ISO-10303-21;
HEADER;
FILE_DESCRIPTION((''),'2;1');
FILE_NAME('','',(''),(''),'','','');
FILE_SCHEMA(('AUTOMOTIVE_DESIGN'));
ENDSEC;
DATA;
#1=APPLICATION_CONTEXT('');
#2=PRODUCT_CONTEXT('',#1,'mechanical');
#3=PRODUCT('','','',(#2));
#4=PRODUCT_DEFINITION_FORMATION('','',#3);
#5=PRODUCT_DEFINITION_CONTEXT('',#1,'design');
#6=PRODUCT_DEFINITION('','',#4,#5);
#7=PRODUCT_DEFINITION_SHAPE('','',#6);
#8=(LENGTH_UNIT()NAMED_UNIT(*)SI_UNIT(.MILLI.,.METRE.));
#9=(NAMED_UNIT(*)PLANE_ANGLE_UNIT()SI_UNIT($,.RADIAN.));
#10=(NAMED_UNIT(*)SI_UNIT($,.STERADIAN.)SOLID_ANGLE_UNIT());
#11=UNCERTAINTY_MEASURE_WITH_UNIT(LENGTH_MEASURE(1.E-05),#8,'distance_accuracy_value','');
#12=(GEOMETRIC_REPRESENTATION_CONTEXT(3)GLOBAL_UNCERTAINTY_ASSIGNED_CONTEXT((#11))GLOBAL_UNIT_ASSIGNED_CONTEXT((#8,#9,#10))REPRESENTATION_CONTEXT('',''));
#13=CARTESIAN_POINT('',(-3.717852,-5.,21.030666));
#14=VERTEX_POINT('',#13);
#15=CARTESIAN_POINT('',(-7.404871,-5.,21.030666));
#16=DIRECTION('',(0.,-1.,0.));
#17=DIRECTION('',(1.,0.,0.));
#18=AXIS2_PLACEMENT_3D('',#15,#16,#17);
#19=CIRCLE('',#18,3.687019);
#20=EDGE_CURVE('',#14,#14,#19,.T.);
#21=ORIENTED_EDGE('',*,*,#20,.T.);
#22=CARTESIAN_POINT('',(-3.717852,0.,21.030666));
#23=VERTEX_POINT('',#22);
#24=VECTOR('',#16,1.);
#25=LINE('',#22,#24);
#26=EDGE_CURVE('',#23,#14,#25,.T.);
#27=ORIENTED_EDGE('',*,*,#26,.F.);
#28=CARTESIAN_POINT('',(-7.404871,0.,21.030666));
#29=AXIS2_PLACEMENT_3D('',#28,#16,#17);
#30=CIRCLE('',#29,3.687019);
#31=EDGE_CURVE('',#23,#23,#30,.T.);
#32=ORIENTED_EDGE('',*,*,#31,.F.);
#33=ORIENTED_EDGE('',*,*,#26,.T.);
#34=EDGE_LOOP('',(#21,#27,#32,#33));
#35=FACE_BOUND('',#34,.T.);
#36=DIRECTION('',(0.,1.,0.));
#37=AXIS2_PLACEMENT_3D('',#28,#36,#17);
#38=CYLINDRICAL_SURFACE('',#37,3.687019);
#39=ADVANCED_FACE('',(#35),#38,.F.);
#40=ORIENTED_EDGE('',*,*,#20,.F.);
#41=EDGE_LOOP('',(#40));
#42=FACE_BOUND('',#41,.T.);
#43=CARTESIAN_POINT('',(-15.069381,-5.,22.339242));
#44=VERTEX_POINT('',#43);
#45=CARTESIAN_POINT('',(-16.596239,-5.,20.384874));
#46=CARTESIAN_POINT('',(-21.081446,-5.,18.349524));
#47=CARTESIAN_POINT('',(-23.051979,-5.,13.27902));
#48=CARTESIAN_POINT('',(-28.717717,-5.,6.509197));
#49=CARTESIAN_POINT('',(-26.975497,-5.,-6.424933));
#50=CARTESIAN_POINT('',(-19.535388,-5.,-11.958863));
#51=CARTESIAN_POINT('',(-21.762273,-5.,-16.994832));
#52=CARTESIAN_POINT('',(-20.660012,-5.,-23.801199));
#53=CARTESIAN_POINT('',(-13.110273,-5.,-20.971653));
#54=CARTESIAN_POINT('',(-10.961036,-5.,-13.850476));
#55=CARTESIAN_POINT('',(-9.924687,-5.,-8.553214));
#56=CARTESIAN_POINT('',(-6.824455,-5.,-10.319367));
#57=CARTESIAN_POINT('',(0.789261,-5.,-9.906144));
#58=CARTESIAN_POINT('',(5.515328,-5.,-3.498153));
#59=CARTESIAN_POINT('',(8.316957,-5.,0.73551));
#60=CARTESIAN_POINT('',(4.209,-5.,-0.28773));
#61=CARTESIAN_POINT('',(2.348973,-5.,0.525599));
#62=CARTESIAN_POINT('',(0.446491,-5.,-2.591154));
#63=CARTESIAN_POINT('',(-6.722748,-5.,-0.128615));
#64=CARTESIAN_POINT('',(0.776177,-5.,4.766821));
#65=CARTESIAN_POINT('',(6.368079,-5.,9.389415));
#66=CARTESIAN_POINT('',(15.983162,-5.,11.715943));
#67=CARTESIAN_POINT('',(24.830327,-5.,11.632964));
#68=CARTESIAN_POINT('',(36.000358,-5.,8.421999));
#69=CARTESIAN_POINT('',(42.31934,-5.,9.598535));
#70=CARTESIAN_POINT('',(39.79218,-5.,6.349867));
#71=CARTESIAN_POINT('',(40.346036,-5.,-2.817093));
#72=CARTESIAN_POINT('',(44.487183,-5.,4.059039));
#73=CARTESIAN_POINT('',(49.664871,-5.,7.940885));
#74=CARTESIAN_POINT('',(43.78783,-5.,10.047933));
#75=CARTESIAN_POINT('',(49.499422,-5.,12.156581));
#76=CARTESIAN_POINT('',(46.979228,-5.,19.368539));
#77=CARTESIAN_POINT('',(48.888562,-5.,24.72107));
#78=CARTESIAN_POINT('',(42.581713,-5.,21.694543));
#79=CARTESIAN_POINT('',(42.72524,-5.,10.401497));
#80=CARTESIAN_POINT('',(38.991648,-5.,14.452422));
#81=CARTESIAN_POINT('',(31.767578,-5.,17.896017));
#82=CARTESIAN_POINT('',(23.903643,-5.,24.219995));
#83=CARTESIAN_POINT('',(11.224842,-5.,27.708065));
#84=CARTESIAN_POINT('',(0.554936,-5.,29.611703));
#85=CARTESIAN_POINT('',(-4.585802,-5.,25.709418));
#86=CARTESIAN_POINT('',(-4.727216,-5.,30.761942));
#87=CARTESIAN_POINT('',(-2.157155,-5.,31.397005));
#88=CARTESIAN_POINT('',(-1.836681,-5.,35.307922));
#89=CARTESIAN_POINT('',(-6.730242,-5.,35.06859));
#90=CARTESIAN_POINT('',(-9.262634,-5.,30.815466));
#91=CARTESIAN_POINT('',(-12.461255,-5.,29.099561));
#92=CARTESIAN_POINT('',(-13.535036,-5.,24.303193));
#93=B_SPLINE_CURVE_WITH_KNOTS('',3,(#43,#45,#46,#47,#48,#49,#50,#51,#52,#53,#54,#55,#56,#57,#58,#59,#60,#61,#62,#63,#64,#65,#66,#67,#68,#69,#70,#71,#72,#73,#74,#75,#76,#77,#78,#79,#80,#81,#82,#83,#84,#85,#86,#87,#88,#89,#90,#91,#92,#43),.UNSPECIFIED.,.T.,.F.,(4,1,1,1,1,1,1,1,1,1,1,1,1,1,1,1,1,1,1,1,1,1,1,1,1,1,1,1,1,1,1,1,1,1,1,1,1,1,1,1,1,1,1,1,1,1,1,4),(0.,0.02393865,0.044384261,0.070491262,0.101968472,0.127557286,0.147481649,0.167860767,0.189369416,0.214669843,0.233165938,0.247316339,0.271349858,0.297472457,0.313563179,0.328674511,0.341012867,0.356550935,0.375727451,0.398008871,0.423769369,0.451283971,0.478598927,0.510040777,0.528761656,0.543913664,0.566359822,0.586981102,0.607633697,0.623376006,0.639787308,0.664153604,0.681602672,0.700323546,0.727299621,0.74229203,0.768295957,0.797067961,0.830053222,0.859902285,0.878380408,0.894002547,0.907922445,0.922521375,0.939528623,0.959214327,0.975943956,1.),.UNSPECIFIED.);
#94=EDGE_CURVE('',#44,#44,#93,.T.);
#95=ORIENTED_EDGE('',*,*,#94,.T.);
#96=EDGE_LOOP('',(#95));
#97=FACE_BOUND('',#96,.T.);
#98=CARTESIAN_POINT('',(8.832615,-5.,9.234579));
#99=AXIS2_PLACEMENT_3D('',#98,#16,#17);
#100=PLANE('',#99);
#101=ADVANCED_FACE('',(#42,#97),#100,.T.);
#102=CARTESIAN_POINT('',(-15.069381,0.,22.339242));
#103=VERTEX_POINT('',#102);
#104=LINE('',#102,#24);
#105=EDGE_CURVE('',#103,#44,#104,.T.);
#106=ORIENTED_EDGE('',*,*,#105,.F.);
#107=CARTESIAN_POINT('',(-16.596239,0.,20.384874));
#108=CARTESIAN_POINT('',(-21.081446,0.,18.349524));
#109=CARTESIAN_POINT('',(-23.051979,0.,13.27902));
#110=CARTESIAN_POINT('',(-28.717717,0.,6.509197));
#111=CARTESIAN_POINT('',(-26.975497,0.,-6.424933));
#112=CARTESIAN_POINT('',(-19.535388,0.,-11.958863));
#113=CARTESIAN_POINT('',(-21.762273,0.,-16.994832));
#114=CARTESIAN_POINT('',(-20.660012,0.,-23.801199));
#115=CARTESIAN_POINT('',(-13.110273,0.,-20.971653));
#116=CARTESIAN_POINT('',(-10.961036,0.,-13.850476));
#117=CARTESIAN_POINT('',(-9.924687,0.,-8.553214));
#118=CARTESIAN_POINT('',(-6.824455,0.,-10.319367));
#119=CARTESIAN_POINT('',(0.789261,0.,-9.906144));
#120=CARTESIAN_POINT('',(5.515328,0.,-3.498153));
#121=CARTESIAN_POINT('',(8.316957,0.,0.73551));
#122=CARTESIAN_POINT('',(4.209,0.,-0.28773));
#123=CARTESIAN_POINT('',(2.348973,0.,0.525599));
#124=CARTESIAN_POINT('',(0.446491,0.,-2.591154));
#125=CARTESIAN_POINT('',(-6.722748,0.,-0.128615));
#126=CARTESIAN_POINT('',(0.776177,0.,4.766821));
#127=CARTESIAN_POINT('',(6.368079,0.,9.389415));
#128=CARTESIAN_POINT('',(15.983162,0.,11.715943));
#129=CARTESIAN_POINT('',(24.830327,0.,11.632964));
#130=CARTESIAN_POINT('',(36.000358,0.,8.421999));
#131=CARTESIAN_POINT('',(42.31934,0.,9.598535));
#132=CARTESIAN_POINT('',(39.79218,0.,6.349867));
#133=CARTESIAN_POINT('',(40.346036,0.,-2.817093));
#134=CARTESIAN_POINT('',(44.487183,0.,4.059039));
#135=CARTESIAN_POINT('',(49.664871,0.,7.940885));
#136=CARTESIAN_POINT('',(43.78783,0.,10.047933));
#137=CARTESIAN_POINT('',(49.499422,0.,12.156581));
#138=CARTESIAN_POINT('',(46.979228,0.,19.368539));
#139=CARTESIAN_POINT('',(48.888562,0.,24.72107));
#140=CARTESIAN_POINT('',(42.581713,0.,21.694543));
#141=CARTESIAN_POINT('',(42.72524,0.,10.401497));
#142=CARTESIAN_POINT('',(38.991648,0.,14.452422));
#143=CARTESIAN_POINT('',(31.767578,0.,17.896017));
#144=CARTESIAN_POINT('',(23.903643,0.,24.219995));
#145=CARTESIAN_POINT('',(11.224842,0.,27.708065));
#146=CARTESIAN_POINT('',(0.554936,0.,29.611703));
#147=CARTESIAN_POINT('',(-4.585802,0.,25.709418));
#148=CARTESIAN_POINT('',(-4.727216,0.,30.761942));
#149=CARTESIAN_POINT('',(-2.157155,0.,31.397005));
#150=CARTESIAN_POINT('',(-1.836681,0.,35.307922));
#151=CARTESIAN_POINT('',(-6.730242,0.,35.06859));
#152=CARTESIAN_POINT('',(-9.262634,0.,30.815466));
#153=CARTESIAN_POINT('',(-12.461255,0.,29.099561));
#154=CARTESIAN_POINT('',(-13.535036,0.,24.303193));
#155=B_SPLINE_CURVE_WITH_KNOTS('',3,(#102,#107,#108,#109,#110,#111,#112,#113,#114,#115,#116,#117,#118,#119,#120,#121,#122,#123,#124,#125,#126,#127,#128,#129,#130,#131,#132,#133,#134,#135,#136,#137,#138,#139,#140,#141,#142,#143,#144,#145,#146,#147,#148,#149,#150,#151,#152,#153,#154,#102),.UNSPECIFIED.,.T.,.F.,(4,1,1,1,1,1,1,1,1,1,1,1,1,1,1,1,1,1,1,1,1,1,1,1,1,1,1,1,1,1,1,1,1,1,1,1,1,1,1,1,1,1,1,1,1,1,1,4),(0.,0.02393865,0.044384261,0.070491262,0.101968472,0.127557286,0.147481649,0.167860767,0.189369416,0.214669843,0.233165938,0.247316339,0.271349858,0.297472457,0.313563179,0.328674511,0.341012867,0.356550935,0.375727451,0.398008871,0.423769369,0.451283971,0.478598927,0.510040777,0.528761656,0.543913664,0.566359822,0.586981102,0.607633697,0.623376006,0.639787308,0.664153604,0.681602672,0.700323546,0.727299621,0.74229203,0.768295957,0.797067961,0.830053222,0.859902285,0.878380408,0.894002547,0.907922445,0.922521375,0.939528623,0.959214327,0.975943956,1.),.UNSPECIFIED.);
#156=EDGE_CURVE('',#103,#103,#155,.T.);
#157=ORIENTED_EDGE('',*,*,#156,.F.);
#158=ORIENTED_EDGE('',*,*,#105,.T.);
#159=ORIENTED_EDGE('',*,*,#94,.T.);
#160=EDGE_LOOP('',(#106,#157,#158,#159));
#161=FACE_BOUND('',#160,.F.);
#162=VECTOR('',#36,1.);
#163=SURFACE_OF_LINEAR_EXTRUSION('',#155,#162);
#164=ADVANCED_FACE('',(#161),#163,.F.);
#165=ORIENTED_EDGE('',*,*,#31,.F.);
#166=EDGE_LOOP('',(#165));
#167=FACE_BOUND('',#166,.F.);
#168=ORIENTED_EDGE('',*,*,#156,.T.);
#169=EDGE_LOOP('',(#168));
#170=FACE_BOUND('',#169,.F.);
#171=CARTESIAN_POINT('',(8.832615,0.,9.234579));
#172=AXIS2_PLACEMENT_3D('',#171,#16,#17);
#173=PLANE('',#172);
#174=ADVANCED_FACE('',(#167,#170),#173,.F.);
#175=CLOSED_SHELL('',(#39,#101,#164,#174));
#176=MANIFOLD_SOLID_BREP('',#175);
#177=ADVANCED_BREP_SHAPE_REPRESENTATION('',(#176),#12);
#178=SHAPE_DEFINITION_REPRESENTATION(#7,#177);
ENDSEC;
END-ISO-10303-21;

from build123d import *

# Parameters (mm, degrees)
F0_R     = 3.6870189619
F1_DEPTH = 5


with BuildPart() as f1:
    # F0 (on Front) → F1 (new body)
    with BuildSketch(Plane.XZ):
        with BuildLine():
            add(Edge.make_bspline(
                [(-15.0693813339, 22.3392415792), (-16.5962387075, 20.3848743041), (-21.0814458697, 18.349524102), (-23.0519791671, 13.2790204276), (-28.7177170165, 6.5091967112), (-26.9754966678, -6.424932774), (-19.5353881537, -11.9588634148), (-21.7622730405, -16.9948323877), (-20.6600118311, -23.8011993115), (-13.1102726454, -20.9716531466), (-10.9610358932, -13.8504758978), (-9.9246868861, -8.5532142754), (-6.8244547605, -10.3193673307), (0.7892614946, -9.906143987), (5.5153277782, -3.4981534401), (8.3169574073, 0.7355100784), (4.2090001023, -0.2877298744), (2.3489734506, 0.5255993095), (0.4464906118, -2.5911537172), (-6.7227477239, -0.1286148744), (0.7761773244, 4.7668210482), (6.3680794795, 9.3894148286), (15.9831620751, 11.7159430456), (24.8303274083, 11.6329638793), (36.0003575184, 8.421998596), (42.3193403353, 9.5985350565), (39.7921797656, 6.3498674915), (40.346035885, -2.8170925402), (44.4871834772, 4.0590394775), (49.6648709097, 7.9408852724), (43.7878298009, 10.0479332897), (49.4994222793, 12.1565808144), (46.9792278746, 19.3685386297), (48.8885615925, 24.7210696334), (42.5817129092, 21.6945428095), (42.7252398345, 10.4014970492), (38.9916480911, 14.4524218258), (31.7675779566, 17.8960172214), (23.9036427752, 24.2199950243), (11.2248417349, 27.7080649961), (0.5549357478, 29.6117030585), (-4.5858024738, 25.7094181838), (-4.7272158249, 30.7619421496), (-2.1571548709, 31.3970045242), (-1.8366810359, 35.3079222155), (-6.7302415919, 35.0685904726), (-9.262634294, 30.815465836), (-12.4612548095, 29.0995607864), (-13.5350363345, 24.3031929655), (-15.0693813339, 22.3392415792)],
                knots=[0, 0, 0, 0, 0.0239386501, 0.0443842609, 0.0704912617, 0.101968472, 0.1275572856, 0.1474816492, 0.1678607672, 0.1893694164, 0.2146698427, 0.2331659378, 0.2473163389, 0.2713498576, 0.2974724574, 0.3135631788, 0.3286745108, 0.3410128671, 0.3565509348, 0.3757274514, 0.3980088709, 0.4237693685, 0.451283971, 0.4785989273, 0.5100407775, 0.5287616556, 0.5439136644, 0.5663598221, 0.586981102, 0.6076336972, 0.6233760059, 0.639787308, 0.664153604, 0.6816026716, 0.7003235457, 0.7272996209, 0.7422920302, 0.7682959574, 0.7970679608, 0.8300532222, 0.8599022847, 0.8783804075, 0.8940025469, 0.907922445, 0.9225213745, 0.9395286235, 0.9592143268, 0.9759439561, 1, 1, 1, 1], degree=3))
        make_face()
        with Locations((-7.404871285, 21.0306663066)):
            Circle(F0_R, mode=Mode.SUBTRACT)
    extrude(amount=F1_DEPTH)


solid = f1.part
